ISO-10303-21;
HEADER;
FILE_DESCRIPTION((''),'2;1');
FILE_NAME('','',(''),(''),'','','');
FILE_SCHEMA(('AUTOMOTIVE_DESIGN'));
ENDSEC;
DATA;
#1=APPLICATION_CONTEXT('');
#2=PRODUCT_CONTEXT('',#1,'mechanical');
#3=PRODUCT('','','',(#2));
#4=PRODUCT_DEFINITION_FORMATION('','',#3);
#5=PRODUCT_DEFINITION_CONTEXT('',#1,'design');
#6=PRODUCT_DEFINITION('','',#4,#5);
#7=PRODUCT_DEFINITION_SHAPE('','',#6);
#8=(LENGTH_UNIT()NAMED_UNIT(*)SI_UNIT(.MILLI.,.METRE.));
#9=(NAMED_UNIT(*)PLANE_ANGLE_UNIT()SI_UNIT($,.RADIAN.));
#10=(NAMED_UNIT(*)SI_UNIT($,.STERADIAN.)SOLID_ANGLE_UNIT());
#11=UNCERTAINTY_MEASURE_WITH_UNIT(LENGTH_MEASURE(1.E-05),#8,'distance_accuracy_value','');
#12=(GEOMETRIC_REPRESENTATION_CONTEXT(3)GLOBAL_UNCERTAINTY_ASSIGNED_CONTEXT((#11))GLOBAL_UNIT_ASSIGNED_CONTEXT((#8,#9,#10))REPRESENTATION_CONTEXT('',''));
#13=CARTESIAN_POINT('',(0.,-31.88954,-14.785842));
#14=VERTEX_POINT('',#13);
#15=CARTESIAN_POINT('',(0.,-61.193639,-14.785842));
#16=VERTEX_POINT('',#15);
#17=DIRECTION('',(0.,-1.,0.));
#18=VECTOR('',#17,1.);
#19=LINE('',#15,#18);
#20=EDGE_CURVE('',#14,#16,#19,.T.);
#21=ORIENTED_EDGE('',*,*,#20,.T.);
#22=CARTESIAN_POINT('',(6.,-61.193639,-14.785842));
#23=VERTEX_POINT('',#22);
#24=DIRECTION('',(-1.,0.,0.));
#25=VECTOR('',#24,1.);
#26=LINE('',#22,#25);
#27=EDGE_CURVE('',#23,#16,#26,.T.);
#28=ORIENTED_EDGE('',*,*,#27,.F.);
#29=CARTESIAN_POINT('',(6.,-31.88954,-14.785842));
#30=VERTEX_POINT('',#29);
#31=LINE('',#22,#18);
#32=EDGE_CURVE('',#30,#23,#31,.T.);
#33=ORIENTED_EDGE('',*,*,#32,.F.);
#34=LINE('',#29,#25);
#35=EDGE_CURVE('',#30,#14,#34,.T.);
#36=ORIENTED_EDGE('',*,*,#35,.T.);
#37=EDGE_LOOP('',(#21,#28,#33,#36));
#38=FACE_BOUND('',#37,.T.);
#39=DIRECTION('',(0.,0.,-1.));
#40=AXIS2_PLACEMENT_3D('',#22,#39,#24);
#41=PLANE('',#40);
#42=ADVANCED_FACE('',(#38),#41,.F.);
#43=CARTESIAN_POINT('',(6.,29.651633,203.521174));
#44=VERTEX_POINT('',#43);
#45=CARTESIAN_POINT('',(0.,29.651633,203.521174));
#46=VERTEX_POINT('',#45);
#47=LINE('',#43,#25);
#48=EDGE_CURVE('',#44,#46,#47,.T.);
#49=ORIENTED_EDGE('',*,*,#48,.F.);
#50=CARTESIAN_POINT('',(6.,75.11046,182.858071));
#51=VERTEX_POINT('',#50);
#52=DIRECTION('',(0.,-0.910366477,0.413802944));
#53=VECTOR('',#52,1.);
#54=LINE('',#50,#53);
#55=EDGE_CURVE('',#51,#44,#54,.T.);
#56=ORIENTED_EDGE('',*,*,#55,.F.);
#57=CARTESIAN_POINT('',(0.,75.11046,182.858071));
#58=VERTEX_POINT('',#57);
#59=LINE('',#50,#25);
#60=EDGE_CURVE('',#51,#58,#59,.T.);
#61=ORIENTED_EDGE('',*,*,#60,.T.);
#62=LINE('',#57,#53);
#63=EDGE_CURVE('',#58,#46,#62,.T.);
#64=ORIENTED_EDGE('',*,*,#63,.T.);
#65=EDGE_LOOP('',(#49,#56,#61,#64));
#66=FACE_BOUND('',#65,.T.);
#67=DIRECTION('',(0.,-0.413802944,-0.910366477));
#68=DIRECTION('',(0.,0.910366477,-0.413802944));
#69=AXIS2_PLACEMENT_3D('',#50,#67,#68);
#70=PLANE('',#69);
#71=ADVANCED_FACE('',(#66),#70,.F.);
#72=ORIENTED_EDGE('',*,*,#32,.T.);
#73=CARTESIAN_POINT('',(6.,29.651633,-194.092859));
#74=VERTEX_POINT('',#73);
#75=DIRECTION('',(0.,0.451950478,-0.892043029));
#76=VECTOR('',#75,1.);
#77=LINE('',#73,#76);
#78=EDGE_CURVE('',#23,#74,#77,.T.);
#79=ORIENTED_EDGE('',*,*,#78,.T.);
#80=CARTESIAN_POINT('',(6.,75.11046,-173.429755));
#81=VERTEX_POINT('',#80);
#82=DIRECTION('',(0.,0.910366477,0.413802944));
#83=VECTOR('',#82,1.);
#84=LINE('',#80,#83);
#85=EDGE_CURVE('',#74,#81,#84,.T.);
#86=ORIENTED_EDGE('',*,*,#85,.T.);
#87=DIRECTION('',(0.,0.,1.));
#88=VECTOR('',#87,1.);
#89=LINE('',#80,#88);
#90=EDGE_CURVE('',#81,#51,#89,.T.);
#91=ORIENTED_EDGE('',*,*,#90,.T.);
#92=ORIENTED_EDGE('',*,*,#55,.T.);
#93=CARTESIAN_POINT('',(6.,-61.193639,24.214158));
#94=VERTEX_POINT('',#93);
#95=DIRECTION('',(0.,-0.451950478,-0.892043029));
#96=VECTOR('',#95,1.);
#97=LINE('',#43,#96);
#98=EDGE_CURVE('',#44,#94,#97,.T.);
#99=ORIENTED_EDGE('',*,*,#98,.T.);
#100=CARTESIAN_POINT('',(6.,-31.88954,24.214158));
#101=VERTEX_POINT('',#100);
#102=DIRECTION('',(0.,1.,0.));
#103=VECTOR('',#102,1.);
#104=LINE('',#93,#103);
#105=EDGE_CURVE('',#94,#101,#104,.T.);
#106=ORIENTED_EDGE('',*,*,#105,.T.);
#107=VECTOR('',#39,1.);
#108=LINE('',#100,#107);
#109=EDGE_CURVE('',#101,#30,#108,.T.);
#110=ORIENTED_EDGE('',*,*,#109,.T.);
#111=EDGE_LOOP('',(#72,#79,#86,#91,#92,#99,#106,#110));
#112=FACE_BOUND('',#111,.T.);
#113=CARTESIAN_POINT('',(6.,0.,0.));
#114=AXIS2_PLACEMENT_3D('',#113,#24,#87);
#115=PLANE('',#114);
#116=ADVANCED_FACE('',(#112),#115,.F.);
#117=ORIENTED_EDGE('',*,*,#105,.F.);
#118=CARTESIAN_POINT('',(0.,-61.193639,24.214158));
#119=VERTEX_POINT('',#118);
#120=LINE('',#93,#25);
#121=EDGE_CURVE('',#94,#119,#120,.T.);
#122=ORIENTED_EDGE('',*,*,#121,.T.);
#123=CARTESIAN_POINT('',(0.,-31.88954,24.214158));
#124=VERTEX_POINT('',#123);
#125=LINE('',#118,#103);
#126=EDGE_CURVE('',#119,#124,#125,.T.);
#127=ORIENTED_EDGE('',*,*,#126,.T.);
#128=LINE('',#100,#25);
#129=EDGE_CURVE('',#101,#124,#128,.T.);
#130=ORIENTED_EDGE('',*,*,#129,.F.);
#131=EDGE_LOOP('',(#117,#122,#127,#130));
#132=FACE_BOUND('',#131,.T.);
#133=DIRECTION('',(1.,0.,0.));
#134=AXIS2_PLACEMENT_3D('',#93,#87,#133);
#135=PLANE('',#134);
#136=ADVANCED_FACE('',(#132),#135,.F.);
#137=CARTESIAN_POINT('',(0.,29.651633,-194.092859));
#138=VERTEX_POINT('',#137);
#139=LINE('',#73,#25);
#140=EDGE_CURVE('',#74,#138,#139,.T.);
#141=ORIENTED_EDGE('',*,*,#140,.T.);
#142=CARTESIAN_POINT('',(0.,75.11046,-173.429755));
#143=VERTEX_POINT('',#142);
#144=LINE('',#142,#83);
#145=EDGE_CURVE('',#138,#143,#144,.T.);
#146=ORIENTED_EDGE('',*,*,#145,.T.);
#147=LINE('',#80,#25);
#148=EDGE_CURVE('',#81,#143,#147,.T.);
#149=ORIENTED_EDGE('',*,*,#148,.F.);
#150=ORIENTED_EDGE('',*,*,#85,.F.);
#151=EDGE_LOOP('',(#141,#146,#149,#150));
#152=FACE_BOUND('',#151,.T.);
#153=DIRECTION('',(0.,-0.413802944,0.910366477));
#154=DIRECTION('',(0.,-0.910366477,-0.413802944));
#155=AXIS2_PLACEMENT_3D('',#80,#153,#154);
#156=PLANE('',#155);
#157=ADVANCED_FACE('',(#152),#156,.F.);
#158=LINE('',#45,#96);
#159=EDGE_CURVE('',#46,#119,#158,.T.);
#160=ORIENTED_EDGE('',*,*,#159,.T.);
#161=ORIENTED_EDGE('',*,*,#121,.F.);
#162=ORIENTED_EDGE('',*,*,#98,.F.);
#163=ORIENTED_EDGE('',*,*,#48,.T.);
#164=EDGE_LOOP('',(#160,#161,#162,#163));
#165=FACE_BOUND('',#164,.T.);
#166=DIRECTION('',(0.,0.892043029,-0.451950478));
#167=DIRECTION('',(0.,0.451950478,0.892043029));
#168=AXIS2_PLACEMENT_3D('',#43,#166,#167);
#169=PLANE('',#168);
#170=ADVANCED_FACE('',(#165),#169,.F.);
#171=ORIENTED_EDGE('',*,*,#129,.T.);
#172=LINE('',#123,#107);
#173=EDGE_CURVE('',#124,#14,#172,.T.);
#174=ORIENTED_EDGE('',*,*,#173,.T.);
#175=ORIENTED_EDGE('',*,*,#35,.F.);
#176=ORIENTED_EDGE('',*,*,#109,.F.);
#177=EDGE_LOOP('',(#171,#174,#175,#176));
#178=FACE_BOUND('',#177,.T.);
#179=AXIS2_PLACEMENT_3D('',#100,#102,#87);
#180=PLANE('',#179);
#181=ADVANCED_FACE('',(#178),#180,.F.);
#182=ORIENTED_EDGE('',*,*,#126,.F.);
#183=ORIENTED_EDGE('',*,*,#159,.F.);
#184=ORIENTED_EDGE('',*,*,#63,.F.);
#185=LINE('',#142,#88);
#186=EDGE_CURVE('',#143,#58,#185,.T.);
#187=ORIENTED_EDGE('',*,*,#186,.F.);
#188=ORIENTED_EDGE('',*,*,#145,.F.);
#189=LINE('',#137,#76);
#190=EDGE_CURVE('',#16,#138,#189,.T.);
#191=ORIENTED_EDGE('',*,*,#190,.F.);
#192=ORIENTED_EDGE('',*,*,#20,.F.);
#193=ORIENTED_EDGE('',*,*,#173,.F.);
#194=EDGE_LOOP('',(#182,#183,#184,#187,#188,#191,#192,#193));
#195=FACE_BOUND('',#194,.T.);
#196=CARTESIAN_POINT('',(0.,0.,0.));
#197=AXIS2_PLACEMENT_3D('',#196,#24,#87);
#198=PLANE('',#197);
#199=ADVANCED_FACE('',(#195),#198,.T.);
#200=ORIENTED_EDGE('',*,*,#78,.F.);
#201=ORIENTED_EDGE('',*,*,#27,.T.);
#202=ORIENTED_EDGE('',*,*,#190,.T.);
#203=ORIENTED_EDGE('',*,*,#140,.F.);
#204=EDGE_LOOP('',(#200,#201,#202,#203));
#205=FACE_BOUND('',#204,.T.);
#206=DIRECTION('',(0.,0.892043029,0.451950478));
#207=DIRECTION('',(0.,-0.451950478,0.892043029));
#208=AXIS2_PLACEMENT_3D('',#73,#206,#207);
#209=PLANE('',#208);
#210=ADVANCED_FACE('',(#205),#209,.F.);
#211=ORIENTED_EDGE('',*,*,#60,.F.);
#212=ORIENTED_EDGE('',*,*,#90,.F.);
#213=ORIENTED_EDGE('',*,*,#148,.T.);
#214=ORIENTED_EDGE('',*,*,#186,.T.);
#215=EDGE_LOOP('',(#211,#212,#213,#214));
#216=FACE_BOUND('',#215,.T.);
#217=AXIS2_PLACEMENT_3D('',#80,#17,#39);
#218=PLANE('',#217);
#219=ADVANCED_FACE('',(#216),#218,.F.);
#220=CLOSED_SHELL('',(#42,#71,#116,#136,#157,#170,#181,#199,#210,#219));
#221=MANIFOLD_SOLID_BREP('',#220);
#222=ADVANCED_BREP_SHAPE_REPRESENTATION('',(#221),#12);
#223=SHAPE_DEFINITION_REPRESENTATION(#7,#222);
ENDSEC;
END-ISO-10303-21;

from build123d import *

# Parameters (mm, degrees)
BOSS_EXTRUDE1_DEPTH = 6


with BuildPart() as part:
    # Sketch1 → Boss-Extrude1 (new body)
    with BuildSketch(Plane(origin=(0, 0, 0), x_dir=(0, 0, -1), z_dir=(1, 0, 0))):
        Polygon((173.429755419, 75.110460295), (-182.858071121, 75.110460295), (-203.521174246, 29.651633419), (-24.214157851, -61.193638773), (-24.214157851, -31.889539705), (14.785842149, -31.889539705), (14.785842149, -61.193638773), (194.092858544, 29.651633419), align=None)
    extrude(amount=BOSS_EXTRUDE1_DEPTH)


solid = part.part
